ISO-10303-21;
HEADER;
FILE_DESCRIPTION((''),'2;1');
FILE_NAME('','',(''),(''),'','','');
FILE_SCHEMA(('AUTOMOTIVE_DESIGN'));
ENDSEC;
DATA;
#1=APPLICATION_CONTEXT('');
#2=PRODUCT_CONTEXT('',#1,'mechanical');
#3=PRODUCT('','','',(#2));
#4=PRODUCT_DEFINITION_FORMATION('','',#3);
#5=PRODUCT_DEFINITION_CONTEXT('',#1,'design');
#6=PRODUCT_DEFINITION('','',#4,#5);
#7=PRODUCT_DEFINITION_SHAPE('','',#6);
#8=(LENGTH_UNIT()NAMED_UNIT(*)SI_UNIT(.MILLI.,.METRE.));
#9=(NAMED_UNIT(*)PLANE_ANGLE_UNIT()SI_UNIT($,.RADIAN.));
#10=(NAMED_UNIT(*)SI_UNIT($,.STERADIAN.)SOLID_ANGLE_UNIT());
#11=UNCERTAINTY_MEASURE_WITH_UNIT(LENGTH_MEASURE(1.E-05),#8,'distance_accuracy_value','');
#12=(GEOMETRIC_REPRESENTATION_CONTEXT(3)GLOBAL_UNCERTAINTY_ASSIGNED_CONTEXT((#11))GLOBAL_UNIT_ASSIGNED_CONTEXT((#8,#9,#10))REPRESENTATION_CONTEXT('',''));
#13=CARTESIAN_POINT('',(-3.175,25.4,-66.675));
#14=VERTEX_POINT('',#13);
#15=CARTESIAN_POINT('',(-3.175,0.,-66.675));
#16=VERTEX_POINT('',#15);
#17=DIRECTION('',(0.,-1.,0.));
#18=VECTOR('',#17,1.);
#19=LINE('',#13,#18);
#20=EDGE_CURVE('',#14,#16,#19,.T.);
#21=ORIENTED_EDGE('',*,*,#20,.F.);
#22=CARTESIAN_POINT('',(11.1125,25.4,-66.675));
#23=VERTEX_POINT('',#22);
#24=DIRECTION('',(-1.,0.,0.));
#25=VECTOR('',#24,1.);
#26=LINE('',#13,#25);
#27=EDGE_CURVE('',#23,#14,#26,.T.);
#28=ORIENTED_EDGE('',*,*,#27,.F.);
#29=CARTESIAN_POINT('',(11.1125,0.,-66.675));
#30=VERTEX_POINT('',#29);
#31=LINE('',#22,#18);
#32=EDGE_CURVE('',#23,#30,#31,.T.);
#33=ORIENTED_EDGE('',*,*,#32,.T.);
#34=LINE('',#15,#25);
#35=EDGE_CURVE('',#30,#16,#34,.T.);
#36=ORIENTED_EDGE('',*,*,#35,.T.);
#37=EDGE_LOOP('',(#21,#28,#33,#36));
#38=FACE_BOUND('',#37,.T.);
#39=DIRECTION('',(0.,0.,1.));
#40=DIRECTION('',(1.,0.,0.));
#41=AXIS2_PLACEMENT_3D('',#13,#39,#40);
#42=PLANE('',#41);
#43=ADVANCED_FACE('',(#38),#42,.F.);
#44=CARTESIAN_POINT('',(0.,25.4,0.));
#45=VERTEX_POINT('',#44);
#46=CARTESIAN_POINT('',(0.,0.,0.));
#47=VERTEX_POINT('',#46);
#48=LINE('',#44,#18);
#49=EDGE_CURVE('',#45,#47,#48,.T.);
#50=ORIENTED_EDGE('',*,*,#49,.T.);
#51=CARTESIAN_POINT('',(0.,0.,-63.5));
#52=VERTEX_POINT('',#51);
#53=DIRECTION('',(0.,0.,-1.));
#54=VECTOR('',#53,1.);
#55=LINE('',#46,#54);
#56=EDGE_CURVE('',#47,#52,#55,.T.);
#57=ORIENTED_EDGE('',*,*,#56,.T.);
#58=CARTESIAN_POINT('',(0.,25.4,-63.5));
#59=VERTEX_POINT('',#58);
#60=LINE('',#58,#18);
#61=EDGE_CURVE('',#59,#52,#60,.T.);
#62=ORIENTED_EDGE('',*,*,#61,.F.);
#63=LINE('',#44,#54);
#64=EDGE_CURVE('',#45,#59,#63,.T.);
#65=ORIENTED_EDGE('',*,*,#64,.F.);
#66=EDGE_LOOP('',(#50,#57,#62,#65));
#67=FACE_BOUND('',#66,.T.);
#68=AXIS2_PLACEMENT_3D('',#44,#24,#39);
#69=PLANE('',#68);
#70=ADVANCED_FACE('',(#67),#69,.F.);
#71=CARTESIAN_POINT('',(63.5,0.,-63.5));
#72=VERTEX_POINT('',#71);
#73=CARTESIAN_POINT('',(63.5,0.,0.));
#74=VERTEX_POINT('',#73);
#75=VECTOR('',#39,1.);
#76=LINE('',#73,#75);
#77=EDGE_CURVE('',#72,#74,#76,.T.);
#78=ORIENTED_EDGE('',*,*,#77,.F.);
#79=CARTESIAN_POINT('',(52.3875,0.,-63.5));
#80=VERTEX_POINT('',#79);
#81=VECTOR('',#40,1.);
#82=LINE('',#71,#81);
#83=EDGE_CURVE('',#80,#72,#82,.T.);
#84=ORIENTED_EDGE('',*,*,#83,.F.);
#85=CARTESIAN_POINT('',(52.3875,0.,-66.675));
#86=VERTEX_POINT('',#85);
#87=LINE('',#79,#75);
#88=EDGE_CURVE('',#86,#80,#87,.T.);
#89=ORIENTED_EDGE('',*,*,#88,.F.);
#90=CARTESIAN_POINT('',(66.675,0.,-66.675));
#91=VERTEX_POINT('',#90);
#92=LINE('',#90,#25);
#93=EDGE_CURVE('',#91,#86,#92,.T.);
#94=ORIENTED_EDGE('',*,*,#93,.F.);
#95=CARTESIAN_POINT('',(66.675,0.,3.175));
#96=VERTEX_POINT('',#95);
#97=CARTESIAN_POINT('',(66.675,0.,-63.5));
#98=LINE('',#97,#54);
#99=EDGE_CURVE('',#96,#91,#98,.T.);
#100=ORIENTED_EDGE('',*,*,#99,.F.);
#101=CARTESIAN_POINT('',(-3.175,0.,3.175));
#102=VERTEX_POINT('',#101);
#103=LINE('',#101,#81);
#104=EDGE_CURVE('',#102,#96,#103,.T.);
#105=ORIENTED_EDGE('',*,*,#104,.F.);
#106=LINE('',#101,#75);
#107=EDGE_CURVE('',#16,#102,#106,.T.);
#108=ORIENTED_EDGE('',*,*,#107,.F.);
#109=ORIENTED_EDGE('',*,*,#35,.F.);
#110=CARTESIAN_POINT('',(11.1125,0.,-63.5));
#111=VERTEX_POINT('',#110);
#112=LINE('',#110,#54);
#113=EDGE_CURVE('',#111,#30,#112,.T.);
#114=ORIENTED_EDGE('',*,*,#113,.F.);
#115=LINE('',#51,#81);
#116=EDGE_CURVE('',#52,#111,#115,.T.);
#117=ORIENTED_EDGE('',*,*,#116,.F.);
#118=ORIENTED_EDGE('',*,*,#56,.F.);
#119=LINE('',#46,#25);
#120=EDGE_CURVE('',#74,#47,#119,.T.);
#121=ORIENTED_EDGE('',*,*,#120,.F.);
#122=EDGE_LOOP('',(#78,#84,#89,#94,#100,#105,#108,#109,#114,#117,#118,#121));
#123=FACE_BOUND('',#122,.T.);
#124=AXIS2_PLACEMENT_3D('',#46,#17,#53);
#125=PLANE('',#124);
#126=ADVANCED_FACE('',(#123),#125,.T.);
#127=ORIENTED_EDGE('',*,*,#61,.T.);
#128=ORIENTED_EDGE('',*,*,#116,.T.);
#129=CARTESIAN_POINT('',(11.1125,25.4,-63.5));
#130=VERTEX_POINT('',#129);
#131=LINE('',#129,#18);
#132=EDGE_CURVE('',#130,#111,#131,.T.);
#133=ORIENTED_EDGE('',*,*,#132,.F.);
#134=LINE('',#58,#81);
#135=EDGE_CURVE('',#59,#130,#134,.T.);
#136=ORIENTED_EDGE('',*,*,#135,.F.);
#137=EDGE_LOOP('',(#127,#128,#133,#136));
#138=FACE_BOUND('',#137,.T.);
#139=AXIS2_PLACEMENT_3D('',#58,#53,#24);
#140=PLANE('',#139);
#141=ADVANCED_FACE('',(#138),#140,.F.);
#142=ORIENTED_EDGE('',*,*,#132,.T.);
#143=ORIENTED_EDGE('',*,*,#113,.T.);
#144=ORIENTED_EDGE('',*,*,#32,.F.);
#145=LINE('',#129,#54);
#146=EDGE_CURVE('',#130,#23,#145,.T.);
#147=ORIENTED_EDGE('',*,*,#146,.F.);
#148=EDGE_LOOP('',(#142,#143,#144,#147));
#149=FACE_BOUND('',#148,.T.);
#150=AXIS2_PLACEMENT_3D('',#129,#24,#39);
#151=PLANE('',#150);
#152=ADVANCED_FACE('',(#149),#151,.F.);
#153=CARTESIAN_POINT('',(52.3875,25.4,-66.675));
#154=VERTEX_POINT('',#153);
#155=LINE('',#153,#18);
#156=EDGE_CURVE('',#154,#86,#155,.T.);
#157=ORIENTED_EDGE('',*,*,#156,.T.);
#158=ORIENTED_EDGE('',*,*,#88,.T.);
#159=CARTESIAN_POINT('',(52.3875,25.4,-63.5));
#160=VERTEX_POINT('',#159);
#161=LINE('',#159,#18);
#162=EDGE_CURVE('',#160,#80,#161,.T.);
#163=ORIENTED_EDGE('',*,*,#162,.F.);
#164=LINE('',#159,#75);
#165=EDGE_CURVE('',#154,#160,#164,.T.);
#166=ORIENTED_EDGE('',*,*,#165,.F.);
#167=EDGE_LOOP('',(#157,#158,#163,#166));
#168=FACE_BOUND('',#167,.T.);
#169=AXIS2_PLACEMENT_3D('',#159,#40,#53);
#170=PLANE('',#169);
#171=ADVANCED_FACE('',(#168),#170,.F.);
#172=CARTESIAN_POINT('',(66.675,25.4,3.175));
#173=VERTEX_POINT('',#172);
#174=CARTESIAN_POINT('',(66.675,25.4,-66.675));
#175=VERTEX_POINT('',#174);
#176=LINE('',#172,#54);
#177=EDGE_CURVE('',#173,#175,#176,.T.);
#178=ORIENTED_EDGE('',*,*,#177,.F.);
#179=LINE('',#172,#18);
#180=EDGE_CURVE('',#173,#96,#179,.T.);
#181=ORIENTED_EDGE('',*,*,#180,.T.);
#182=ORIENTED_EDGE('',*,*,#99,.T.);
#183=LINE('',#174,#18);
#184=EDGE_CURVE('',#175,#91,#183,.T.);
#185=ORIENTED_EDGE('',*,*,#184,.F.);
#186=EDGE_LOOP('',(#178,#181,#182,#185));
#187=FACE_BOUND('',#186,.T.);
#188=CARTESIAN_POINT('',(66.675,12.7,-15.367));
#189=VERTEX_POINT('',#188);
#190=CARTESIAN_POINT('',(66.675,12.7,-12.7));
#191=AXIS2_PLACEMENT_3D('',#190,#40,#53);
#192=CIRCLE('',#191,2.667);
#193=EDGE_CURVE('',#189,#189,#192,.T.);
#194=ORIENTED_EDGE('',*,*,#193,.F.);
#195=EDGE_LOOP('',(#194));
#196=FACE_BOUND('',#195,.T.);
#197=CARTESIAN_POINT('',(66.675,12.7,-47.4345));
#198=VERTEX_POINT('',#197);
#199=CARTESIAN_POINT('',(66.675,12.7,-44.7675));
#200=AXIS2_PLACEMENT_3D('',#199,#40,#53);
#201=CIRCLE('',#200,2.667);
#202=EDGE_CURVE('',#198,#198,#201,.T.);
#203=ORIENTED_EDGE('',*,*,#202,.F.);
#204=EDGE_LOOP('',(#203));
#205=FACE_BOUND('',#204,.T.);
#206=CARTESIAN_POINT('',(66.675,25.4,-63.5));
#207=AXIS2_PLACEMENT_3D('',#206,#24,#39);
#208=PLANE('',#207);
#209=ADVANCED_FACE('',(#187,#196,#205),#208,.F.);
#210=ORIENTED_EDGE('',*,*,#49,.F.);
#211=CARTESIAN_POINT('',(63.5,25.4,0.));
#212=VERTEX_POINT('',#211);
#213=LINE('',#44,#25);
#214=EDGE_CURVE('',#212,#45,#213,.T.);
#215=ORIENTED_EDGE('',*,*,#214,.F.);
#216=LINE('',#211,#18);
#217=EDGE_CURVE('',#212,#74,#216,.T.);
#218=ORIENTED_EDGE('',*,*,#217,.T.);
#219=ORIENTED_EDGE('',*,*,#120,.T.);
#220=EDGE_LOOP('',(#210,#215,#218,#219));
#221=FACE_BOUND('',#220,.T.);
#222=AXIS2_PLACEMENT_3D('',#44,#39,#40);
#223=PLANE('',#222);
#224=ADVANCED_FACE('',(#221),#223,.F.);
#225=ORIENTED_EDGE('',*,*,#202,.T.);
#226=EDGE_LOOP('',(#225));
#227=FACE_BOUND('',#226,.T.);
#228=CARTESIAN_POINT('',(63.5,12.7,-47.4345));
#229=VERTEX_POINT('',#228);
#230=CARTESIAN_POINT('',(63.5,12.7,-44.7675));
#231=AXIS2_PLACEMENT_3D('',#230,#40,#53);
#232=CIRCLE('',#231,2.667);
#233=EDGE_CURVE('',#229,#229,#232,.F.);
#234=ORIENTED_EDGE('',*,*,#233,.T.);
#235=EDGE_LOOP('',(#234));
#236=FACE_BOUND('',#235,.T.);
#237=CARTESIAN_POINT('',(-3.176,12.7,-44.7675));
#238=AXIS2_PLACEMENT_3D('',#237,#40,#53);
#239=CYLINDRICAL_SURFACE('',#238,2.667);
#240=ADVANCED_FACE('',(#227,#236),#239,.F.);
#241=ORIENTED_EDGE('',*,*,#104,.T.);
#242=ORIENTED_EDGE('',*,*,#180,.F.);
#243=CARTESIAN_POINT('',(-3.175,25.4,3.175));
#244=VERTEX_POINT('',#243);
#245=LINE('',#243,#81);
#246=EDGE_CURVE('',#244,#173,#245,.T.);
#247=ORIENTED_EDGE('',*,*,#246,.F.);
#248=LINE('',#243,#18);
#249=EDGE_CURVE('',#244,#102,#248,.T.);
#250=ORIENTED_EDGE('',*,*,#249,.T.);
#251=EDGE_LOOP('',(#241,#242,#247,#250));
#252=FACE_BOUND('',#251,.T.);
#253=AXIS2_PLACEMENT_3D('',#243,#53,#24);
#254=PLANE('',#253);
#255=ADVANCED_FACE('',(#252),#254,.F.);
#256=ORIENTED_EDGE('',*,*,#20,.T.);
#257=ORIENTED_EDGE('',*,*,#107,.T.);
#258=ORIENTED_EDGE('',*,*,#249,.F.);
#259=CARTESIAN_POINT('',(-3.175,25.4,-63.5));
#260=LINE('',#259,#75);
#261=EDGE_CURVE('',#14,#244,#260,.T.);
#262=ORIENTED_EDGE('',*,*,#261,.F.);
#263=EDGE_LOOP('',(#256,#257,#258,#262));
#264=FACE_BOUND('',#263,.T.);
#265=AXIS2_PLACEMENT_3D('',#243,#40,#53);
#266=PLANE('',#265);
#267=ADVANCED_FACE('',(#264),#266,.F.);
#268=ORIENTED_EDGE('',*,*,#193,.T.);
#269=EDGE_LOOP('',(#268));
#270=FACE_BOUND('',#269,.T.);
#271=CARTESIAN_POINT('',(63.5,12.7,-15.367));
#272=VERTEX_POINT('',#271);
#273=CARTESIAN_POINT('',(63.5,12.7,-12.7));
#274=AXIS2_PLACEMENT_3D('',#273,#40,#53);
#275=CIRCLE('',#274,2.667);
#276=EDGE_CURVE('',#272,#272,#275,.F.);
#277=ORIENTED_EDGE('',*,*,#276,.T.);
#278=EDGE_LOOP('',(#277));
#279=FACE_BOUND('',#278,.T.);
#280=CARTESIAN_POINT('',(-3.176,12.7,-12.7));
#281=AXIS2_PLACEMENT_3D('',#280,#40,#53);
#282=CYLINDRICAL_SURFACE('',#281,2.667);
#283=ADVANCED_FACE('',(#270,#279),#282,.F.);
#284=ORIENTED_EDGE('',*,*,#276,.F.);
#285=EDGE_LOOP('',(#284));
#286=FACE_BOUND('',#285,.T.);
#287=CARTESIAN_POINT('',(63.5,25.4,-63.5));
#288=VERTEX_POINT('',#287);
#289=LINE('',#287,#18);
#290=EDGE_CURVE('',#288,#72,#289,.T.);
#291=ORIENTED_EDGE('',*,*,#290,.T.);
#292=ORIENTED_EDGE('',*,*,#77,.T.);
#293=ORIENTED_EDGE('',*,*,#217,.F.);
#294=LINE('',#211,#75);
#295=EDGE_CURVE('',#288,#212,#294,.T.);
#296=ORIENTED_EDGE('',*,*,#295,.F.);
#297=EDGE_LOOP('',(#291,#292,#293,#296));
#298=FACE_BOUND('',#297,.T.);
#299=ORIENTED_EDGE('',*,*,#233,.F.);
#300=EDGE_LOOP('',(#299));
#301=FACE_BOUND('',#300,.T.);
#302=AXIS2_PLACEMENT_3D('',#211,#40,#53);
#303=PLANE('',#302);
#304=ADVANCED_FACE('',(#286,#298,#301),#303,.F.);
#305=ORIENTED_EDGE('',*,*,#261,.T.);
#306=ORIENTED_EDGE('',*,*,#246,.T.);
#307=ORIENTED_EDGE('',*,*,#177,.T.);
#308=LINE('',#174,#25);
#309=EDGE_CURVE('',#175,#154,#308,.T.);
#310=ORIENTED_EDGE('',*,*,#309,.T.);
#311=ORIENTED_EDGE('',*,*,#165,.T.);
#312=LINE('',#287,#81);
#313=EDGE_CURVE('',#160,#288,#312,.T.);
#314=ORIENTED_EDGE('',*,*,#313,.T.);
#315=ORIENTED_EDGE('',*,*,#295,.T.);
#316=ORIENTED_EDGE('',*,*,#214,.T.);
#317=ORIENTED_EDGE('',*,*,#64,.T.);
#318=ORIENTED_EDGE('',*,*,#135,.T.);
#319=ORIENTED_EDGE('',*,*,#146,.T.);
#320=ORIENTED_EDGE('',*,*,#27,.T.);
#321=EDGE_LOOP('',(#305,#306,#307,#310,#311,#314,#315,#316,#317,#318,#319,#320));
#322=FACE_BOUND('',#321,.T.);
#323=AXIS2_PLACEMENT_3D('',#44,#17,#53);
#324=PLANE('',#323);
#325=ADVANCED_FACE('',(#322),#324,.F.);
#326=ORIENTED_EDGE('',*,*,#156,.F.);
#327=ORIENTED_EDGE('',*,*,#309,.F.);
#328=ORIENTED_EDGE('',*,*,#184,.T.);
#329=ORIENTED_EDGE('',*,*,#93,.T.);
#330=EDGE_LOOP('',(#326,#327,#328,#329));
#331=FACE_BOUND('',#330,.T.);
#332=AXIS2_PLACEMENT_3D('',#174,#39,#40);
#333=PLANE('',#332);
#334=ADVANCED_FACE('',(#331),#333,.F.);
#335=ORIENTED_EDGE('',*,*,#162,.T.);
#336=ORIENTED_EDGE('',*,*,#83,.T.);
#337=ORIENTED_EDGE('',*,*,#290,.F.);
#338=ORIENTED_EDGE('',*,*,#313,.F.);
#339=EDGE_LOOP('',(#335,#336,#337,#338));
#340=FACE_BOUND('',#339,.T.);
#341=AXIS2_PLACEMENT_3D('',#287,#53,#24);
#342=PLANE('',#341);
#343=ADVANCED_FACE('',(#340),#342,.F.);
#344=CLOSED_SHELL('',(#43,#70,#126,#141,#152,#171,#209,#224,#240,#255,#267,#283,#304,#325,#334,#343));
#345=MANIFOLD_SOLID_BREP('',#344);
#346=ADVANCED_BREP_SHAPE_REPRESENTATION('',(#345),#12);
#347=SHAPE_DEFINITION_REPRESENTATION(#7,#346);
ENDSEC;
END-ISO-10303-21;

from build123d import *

# Parameters (mm, degrees)
BOSS_EXTRUDE1_DEPTH = 25.4
CUT_EXTRUDE1_REACH  = 71.85
SKETCH2_R           = 2.667


with BuildPart() as part:
    # Sketch1 → Boss-Extrude1 (new body)
    with BuildSketch(Plane(origin=(0, 0, 0), x_dir=(1, 0, 0), z_dir=(0, 1, 0))):
        Polygon((-3.175, -3.175), (-3.175, 63.5), (-3.175, 66.675), (11.1125, 66.675), (11.1125, 63.5), (0, 63.5), (0, 0), (63.5, 0), (63.5, 63.5), (52.3875, 63.5), (52.3875, 66.675), (66.675, 66.675), (66.675, 63.5), (66.675, -3.175), align=None)
    extrude(amount=BOSS_EXTRUDE1_DEPTH)

    # Sketch2 → Cut-Extrude1 (cut, up to next)
    with BuildSketch(Plane(origin=(66.675, 0, 0), x_dir=(0, 0, -1), z_dir=(1, 0, 0)), mode=Mode.PRIVATE) as cut_extrude1_sk1:
        with Locations((12.7, 12.7)):
            Circle(SKETCH2_R)
    cut_extrude1_tool1 = extrude(cut_extrude1_sk1.sketch, amount=-CUT_EXTRUDE1_REACH, mode=Mode.PRIVATE) & part.part
    add(cut_extrude1_tool1.solids().sort_by_distance((66.675, 12.7, -12.7))[0], mode=Mode.SUBTRACT)
    # Sketch2 → Cut-Extrude1 (cut, up to next)
    with BuildSketch(Plane(origin=(66.675, 0, 0), x_dir=(0, 0, -1), z_dir=(1, 0, 0)), mode=Mode.PRIVATE) as cut_extrude1_sk2:
        with Locations((44.7675, 12.7)):
            Circle(SKETCH2_R)
    cut_extrude1_tool2 = extrude(cut_extrude1_sk2.sketch, amount=-CUT_EXTRUDE1_REACH, mode=Mode.PRIVATE) & part.part
    add(cut_extrude1_tool2.solids().sort_by_distance((66.675, 12.7, -44.7675))[0], mode=Mode.SUBTRACT)


solid = part.part
